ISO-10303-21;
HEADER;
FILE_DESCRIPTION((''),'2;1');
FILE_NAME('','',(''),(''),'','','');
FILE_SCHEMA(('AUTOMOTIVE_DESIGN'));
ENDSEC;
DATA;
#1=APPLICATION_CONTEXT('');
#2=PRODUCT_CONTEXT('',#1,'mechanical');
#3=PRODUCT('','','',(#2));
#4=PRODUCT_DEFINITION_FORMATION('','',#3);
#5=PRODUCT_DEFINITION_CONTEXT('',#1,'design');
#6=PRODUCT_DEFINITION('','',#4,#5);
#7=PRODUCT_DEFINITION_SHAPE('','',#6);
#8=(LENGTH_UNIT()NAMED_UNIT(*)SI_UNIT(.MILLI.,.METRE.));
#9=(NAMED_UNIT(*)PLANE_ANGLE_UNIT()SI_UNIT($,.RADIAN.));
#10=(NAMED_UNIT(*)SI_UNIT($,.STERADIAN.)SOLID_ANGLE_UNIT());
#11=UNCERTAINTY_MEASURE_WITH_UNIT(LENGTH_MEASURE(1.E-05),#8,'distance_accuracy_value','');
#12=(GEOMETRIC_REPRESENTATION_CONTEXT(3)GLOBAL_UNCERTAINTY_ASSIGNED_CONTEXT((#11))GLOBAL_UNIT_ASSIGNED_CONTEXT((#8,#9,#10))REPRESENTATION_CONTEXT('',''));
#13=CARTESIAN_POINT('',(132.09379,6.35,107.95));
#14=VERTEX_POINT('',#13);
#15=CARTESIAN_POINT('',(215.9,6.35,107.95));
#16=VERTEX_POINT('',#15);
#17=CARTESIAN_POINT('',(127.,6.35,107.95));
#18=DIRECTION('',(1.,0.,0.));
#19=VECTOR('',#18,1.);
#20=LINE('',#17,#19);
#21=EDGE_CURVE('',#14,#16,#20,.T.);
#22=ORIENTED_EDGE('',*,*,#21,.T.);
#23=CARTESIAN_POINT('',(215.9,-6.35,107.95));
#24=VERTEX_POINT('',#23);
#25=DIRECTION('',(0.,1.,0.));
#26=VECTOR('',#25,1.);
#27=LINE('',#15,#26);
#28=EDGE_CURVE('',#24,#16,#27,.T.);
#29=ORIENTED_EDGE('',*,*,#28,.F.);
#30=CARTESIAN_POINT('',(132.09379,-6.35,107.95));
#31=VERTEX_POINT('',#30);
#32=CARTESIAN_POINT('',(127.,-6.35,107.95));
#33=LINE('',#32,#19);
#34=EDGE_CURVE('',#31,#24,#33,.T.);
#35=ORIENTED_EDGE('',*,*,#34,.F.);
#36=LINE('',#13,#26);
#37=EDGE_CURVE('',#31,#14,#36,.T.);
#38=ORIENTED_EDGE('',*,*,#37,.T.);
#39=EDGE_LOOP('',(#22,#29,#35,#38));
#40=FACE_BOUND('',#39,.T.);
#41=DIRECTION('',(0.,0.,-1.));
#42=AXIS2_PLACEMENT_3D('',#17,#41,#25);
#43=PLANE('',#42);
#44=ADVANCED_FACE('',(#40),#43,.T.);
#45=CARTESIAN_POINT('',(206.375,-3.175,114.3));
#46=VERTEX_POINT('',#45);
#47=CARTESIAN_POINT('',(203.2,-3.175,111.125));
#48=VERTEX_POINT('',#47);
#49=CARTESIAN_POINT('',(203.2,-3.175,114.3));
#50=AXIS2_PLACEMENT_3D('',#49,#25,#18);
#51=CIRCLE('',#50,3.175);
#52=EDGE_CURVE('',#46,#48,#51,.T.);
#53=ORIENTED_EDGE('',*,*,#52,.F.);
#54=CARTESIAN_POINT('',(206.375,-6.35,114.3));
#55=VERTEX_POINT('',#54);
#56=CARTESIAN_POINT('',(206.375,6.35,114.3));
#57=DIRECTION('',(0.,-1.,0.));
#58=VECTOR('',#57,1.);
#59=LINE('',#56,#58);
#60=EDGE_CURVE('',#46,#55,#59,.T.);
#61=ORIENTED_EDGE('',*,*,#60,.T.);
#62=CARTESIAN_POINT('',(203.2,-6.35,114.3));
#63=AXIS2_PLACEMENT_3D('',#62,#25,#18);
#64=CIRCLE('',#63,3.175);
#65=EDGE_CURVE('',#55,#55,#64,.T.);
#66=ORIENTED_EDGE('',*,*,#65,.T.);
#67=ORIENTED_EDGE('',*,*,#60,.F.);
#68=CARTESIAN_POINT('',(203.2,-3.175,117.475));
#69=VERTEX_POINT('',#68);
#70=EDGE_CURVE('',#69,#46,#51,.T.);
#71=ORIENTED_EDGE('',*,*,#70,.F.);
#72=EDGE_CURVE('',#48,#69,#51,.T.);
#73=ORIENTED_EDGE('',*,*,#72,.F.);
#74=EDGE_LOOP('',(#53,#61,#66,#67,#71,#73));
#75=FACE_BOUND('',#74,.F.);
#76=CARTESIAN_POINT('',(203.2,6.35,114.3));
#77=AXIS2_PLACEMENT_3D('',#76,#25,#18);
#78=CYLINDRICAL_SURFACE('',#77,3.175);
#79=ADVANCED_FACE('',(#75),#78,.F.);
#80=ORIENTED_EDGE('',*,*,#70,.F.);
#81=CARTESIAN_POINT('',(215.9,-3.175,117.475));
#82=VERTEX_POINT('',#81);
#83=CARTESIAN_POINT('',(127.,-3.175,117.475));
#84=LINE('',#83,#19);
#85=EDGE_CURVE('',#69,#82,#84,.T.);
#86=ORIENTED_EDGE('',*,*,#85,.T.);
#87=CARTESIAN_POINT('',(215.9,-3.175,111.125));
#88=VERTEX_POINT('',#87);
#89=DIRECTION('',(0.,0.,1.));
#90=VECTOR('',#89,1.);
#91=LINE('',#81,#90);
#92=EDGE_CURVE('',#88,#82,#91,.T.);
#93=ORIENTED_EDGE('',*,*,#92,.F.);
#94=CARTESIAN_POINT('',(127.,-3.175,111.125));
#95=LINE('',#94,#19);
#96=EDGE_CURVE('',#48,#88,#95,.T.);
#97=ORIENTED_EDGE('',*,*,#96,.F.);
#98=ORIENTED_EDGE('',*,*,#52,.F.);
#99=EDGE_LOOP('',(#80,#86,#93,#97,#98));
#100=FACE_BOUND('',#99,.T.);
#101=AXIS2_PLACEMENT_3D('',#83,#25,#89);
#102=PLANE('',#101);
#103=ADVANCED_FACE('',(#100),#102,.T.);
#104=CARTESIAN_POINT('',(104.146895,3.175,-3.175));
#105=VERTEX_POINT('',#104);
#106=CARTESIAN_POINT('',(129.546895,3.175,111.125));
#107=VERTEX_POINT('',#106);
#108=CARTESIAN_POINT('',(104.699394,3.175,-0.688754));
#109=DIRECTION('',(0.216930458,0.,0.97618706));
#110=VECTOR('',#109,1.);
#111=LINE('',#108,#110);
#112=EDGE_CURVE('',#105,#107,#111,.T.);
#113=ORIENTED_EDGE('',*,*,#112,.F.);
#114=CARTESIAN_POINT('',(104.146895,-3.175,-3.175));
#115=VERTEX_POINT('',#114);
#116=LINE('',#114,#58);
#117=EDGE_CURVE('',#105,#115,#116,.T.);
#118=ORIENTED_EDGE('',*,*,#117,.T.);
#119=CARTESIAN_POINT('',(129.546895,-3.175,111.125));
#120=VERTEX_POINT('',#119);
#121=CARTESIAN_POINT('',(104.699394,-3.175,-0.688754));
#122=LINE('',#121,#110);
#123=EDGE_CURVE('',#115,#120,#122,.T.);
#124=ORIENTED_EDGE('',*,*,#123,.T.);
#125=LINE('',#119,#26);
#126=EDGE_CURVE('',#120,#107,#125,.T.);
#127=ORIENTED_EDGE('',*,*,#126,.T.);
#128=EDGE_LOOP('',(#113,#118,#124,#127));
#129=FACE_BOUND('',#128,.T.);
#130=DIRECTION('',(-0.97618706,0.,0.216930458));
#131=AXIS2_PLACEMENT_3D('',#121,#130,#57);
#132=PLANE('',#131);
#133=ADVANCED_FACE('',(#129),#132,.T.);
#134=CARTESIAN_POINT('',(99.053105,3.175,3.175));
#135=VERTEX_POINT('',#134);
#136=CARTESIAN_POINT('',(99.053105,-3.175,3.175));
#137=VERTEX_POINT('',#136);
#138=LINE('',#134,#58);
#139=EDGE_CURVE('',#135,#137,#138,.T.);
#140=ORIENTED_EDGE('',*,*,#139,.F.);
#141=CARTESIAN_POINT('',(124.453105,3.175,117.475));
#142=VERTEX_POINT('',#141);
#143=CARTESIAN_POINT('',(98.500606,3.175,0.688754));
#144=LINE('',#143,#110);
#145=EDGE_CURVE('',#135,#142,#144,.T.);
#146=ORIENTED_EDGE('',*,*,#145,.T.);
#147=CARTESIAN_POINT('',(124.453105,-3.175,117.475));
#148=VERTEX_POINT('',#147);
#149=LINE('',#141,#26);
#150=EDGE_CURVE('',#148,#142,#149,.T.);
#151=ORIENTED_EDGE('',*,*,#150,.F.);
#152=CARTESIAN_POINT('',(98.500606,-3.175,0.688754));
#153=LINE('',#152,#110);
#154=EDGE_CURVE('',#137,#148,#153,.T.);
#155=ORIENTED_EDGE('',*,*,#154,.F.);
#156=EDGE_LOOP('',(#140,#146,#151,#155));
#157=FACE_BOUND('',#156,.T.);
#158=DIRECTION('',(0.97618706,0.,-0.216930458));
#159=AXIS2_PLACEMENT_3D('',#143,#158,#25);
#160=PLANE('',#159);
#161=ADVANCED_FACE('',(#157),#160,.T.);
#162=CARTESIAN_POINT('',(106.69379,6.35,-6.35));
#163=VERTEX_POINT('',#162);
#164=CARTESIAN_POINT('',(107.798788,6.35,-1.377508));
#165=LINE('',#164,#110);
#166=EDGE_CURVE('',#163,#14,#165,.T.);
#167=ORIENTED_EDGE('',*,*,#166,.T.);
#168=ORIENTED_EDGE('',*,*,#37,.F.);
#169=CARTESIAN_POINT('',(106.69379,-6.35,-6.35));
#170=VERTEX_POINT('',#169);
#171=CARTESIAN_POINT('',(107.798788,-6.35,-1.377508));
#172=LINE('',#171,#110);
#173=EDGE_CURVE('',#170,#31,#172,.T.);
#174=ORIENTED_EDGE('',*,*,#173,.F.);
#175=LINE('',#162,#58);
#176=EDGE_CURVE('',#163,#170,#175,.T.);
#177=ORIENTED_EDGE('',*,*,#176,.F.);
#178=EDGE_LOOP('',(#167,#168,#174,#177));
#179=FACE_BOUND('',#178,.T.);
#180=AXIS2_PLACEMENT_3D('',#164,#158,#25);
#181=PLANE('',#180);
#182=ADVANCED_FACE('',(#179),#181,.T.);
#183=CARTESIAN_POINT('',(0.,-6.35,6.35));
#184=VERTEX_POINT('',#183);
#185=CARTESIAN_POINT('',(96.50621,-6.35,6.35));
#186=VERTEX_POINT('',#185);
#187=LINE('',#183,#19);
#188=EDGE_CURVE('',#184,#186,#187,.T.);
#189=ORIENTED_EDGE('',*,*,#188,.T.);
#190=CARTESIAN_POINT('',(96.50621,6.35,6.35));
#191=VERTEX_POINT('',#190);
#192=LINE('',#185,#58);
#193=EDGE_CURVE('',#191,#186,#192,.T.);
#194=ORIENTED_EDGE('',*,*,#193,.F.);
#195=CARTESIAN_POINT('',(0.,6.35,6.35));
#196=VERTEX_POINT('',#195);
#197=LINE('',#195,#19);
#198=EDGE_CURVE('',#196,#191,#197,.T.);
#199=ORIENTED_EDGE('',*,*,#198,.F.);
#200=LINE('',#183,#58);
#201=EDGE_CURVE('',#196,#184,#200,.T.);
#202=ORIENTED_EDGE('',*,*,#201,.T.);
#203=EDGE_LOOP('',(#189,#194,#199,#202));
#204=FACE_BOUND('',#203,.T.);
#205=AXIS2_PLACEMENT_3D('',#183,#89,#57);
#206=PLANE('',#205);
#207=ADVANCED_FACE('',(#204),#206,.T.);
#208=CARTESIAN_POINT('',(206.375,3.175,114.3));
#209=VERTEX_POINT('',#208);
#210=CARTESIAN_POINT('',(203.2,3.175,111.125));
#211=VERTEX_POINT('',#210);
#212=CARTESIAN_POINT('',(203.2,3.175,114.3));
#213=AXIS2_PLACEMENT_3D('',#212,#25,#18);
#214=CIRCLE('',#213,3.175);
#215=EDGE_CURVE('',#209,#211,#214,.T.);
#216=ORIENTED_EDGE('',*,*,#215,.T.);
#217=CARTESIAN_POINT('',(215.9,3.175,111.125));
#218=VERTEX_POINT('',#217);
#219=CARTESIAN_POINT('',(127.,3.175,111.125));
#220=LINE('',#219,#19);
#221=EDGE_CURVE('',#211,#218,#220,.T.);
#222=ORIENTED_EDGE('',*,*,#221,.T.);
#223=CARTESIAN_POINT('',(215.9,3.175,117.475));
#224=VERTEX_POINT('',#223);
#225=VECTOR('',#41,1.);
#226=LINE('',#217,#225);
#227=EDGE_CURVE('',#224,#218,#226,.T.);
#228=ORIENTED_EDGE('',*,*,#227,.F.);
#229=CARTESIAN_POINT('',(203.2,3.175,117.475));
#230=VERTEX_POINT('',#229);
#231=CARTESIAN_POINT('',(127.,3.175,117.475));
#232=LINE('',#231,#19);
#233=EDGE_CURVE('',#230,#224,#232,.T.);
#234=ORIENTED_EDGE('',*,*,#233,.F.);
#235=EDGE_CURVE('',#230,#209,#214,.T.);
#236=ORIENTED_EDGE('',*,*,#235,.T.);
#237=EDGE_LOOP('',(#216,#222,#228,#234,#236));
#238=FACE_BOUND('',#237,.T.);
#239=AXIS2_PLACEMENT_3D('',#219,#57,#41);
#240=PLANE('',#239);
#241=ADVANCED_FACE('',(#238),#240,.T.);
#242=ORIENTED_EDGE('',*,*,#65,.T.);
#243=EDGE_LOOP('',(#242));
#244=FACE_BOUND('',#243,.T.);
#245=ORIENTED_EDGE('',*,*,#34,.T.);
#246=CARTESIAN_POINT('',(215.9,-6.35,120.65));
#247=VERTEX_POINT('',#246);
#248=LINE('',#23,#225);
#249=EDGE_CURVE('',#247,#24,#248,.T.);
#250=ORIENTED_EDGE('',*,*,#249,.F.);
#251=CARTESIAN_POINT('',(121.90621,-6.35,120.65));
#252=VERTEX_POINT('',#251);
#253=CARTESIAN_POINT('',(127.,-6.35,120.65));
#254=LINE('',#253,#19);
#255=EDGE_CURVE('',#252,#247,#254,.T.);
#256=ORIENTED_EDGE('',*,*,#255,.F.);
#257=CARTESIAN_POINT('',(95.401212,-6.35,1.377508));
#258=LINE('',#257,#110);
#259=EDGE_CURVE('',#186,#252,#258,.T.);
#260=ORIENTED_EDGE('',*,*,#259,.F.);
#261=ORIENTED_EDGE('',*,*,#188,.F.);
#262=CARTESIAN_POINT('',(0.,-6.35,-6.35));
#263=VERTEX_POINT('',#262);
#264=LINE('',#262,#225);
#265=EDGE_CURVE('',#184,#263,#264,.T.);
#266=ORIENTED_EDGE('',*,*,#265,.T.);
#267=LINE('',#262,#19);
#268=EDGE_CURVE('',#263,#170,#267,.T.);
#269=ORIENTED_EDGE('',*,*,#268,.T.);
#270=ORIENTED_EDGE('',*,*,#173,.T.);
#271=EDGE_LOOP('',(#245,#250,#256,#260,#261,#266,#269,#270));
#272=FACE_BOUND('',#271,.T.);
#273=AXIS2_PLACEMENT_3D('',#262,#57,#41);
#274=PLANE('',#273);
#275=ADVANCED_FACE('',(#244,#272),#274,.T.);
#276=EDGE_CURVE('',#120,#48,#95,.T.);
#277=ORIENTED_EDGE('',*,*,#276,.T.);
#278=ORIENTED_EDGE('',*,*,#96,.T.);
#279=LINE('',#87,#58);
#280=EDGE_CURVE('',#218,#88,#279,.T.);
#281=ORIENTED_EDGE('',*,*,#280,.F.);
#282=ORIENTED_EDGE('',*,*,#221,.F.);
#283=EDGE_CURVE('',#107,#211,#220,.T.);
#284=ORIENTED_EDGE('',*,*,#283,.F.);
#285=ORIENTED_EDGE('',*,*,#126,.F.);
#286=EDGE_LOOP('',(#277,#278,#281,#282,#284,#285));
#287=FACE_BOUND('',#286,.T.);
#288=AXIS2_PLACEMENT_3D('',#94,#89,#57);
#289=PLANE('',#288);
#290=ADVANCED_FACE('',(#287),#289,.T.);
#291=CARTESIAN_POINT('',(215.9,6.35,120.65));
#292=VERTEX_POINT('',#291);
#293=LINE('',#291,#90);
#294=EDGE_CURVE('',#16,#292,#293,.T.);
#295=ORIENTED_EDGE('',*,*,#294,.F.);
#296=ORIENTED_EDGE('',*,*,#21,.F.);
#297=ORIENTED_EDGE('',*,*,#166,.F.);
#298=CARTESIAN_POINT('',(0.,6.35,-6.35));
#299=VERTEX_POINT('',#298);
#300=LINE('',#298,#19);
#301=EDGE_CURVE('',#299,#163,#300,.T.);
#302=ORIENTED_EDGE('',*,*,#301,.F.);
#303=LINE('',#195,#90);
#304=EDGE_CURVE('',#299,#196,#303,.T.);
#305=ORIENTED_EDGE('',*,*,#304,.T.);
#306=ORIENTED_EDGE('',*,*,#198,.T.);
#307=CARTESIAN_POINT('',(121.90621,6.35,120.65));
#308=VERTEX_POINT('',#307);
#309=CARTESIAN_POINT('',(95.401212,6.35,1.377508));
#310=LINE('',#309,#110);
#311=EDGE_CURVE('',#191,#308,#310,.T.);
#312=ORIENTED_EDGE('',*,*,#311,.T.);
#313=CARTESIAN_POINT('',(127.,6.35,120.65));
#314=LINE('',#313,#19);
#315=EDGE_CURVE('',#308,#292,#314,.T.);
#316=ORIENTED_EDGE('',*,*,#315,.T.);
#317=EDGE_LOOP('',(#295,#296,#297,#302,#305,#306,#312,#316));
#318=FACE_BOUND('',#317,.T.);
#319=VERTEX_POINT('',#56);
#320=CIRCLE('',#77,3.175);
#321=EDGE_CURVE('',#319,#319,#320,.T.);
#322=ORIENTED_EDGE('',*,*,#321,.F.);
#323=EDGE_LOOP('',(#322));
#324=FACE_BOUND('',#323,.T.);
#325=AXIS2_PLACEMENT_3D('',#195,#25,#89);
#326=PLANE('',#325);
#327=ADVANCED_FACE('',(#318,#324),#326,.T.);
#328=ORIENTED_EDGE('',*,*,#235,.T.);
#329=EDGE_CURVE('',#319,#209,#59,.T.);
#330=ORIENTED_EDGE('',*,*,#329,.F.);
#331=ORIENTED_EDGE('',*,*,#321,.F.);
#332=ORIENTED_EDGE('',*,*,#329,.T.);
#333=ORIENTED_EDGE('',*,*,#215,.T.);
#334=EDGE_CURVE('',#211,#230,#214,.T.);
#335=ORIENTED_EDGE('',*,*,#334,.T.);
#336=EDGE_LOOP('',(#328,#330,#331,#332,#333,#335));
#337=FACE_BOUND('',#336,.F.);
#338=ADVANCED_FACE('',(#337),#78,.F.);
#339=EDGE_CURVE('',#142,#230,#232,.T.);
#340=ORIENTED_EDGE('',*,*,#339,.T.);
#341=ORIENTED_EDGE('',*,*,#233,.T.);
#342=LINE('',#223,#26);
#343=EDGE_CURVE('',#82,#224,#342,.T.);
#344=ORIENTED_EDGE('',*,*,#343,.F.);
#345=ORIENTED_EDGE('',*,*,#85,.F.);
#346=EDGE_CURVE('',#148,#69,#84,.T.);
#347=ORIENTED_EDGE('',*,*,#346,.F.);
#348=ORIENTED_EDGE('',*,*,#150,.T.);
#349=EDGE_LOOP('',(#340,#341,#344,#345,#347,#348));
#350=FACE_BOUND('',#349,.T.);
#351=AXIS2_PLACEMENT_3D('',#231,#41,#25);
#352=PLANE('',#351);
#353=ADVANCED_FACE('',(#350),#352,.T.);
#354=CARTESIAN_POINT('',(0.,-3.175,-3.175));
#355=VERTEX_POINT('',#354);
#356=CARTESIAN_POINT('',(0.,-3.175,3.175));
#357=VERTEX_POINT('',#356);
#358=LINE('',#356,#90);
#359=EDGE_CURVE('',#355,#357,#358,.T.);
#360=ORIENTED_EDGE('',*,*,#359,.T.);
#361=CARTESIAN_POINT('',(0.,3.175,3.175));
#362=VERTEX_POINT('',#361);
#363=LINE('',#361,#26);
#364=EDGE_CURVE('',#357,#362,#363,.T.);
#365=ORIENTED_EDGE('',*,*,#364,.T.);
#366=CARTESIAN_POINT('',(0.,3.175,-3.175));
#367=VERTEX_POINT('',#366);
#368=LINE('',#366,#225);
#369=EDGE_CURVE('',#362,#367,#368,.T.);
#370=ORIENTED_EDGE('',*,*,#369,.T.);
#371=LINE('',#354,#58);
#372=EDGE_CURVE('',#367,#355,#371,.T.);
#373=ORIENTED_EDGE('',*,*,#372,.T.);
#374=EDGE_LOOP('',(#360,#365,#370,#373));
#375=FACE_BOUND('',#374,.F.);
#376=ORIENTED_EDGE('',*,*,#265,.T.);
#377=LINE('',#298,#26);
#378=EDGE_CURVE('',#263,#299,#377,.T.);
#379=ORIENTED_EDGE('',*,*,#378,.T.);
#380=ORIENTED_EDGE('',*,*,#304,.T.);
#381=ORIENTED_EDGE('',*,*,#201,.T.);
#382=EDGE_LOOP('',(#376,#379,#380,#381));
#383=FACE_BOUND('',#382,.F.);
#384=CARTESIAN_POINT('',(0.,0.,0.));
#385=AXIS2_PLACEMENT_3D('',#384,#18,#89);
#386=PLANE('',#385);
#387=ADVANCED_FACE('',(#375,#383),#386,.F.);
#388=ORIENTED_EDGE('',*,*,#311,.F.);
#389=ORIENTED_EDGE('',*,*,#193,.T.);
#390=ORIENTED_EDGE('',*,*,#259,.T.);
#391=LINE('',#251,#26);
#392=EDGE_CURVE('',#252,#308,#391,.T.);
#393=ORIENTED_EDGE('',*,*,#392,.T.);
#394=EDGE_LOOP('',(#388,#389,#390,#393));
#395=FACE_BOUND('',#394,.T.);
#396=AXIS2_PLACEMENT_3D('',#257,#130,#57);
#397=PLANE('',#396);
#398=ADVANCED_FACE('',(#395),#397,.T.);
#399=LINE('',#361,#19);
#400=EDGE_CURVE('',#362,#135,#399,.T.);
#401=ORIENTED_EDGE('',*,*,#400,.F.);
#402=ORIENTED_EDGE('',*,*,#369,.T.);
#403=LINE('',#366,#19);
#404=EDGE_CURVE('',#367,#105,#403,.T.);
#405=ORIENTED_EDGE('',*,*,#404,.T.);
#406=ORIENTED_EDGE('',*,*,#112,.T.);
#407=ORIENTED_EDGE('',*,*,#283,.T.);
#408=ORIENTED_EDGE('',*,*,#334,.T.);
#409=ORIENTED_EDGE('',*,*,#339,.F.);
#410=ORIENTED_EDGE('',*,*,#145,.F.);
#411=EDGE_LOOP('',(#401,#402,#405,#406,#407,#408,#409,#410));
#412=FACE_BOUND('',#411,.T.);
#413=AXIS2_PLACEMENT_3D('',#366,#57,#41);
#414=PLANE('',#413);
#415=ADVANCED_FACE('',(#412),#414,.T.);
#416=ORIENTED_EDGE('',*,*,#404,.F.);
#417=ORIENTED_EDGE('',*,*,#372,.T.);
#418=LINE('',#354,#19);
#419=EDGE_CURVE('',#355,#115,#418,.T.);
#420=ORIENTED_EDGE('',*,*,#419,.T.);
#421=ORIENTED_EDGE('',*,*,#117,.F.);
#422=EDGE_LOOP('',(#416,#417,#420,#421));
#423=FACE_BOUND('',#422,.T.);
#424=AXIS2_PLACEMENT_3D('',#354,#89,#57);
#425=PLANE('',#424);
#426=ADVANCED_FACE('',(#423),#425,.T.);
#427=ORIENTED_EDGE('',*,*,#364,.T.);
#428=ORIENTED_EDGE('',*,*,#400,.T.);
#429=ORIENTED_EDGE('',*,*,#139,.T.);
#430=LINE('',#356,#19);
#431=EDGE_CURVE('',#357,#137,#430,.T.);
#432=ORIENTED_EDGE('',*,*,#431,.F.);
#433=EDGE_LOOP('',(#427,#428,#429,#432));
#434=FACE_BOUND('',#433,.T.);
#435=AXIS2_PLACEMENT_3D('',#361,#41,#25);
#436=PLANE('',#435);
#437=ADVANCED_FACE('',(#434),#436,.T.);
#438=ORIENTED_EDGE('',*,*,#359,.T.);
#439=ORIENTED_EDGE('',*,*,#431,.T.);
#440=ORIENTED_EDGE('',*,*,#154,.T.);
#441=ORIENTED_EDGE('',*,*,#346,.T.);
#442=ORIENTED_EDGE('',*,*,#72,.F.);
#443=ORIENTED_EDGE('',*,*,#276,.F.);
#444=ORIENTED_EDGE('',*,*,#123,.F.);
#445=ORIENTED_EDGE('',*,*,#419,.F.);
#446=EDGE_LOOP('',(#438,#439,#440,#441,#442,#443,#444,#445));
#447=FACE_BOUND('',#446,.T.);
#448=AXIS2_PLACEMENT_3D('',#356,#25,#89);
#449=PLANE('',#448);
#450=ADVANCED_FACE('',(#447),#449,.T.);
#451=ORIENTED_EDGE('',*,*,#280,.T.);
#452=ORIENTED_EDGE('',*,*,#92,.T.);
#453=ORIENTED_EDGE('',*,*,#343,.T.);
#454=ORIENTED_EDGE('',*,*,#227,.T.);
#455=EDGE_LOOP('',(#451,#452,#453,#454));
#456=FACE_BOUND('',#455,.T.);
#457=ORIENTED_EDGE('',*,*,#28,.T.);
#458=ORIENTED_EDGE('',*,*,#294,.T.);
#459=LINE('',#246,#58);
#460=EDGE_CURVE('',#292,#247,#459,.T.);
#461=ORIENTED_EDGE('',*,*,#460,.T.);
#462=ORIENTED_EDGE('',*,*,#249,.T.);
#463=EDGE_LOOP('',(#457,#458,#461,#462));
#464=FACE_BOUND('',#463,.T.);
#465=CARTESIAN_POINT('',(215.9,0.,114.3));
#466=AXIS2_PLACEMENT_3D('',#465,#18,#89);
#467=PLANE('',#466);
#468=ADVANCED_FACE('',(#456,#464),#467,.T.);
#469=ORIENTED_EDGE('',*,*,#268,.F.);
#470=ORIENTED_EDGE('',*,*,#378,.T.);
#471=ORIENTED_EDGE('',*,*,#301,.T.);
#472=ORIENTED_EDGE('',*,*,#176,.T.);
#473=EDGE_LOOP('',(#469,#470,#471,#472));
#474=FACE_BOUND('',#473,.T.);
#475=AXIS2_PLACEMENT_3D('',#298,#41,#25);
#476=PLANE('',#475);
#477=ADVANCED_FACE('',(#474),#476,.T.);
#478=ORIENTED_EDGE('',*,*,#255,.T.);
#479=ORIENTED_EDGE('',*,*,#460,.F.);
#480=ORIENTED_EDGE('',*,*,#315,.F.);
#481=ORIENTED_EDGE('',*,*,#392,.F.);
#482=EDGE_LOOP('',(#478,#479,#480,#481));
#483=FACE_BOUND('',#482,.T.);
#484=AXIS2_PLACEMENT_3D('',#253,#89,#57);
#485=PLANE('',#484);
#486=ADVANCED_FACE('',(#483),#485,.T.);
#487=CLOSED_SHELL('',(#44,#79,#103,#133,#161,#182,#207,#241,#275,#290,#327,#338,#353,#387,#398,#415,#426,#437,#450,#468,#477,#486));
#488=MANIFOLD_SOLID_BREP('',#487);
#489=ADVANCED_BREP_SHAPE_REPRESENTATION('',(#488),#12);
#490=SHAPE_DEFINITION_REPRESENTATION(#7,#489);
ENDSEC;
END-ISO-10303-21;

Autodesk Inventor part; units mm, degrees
ref_plane "YZ Plane" through (0, 0, 0) normal (1, 0, 0) x (0, 1, 0)
ref_plane "XZ Plane" through (0, 0, 0) normal (0, 1, 0) x (-1, 0, 0)
ref_plane "XY Plane" through (0, 0, 0) normal (0, 0, 1) x (1, 0, 0)
sketch "Sketch1" plane through (0, 0, 0) normal (0, 1, 0) x (-1, 0, 0)
  line L0 (0, 0) -> (-101.6, 0)
  line L1 (-101.6, 0) -> (-127, 114.3)
  line L2 (-127, 114.3) -> (-215.9, 114.3)
  dimension "d0" = 101.6
  dimension "d2" = 114.3
  dimension "d3" = 25.4
  dimension "d4" = 88.9
sketch "Sketch2" plane through (0, 0, 0) normal (1, 0, 0) x (0, 1, 0)
  line L0 (-6.35, 6.35) -> (6.35, 6.35)
  line L1 (6.35, 6.35) -> (6.35, -6.35)
  line L2 (6.35, -6.35) -> (-6.35, -6.35)
  line L3 (-6.35, -6.35) -> (-6.35, 6.35)
  line L4 (-6.35, 6.35) -> (6.35, -6.35) construction
  line L5 (6.35, 6.35) -> (-6.35, -6.35) construction
  line L6 (3.175, -3.175) -> (3.175, 3.175)
  line L7 (3.175, 3.175) -> (-3.175, 3.175)
  line L8 (-3.175, 3.175) -> (-3.175, -3.175)
  line L9 (-3.175, -3.175) -> (3.175, -3.175)
  point P0 (0, 0)
  dimension "d5" = 12.7
  dimension "d6" = 12.7
  dimension "d7" = 3.175
sweep "Sweep1" add profiles "Sketch2" path "Sketch1"
sketch "Sketch3" plane through (0, 6.35, 6.35) normal (0, 1, 0) x (1, 0, 0)
  circle A0 centre (203.2, -107.95) radius 3.175
  line L0 (215.9, -101.6) -> (215.9, -114.3) projected
  line L1 (121.9062, -114.3) -> (215.9, -114.3) projected
  point P0 (0, 6.35)
  dimension "d10" = 6.35
  dimension "d11" = 12.7
  dimension "d12" = 6.35
extrude "Extrusion1" cut sketch "Sketch3" against normal through all
properties part number "Arm Hatch"
